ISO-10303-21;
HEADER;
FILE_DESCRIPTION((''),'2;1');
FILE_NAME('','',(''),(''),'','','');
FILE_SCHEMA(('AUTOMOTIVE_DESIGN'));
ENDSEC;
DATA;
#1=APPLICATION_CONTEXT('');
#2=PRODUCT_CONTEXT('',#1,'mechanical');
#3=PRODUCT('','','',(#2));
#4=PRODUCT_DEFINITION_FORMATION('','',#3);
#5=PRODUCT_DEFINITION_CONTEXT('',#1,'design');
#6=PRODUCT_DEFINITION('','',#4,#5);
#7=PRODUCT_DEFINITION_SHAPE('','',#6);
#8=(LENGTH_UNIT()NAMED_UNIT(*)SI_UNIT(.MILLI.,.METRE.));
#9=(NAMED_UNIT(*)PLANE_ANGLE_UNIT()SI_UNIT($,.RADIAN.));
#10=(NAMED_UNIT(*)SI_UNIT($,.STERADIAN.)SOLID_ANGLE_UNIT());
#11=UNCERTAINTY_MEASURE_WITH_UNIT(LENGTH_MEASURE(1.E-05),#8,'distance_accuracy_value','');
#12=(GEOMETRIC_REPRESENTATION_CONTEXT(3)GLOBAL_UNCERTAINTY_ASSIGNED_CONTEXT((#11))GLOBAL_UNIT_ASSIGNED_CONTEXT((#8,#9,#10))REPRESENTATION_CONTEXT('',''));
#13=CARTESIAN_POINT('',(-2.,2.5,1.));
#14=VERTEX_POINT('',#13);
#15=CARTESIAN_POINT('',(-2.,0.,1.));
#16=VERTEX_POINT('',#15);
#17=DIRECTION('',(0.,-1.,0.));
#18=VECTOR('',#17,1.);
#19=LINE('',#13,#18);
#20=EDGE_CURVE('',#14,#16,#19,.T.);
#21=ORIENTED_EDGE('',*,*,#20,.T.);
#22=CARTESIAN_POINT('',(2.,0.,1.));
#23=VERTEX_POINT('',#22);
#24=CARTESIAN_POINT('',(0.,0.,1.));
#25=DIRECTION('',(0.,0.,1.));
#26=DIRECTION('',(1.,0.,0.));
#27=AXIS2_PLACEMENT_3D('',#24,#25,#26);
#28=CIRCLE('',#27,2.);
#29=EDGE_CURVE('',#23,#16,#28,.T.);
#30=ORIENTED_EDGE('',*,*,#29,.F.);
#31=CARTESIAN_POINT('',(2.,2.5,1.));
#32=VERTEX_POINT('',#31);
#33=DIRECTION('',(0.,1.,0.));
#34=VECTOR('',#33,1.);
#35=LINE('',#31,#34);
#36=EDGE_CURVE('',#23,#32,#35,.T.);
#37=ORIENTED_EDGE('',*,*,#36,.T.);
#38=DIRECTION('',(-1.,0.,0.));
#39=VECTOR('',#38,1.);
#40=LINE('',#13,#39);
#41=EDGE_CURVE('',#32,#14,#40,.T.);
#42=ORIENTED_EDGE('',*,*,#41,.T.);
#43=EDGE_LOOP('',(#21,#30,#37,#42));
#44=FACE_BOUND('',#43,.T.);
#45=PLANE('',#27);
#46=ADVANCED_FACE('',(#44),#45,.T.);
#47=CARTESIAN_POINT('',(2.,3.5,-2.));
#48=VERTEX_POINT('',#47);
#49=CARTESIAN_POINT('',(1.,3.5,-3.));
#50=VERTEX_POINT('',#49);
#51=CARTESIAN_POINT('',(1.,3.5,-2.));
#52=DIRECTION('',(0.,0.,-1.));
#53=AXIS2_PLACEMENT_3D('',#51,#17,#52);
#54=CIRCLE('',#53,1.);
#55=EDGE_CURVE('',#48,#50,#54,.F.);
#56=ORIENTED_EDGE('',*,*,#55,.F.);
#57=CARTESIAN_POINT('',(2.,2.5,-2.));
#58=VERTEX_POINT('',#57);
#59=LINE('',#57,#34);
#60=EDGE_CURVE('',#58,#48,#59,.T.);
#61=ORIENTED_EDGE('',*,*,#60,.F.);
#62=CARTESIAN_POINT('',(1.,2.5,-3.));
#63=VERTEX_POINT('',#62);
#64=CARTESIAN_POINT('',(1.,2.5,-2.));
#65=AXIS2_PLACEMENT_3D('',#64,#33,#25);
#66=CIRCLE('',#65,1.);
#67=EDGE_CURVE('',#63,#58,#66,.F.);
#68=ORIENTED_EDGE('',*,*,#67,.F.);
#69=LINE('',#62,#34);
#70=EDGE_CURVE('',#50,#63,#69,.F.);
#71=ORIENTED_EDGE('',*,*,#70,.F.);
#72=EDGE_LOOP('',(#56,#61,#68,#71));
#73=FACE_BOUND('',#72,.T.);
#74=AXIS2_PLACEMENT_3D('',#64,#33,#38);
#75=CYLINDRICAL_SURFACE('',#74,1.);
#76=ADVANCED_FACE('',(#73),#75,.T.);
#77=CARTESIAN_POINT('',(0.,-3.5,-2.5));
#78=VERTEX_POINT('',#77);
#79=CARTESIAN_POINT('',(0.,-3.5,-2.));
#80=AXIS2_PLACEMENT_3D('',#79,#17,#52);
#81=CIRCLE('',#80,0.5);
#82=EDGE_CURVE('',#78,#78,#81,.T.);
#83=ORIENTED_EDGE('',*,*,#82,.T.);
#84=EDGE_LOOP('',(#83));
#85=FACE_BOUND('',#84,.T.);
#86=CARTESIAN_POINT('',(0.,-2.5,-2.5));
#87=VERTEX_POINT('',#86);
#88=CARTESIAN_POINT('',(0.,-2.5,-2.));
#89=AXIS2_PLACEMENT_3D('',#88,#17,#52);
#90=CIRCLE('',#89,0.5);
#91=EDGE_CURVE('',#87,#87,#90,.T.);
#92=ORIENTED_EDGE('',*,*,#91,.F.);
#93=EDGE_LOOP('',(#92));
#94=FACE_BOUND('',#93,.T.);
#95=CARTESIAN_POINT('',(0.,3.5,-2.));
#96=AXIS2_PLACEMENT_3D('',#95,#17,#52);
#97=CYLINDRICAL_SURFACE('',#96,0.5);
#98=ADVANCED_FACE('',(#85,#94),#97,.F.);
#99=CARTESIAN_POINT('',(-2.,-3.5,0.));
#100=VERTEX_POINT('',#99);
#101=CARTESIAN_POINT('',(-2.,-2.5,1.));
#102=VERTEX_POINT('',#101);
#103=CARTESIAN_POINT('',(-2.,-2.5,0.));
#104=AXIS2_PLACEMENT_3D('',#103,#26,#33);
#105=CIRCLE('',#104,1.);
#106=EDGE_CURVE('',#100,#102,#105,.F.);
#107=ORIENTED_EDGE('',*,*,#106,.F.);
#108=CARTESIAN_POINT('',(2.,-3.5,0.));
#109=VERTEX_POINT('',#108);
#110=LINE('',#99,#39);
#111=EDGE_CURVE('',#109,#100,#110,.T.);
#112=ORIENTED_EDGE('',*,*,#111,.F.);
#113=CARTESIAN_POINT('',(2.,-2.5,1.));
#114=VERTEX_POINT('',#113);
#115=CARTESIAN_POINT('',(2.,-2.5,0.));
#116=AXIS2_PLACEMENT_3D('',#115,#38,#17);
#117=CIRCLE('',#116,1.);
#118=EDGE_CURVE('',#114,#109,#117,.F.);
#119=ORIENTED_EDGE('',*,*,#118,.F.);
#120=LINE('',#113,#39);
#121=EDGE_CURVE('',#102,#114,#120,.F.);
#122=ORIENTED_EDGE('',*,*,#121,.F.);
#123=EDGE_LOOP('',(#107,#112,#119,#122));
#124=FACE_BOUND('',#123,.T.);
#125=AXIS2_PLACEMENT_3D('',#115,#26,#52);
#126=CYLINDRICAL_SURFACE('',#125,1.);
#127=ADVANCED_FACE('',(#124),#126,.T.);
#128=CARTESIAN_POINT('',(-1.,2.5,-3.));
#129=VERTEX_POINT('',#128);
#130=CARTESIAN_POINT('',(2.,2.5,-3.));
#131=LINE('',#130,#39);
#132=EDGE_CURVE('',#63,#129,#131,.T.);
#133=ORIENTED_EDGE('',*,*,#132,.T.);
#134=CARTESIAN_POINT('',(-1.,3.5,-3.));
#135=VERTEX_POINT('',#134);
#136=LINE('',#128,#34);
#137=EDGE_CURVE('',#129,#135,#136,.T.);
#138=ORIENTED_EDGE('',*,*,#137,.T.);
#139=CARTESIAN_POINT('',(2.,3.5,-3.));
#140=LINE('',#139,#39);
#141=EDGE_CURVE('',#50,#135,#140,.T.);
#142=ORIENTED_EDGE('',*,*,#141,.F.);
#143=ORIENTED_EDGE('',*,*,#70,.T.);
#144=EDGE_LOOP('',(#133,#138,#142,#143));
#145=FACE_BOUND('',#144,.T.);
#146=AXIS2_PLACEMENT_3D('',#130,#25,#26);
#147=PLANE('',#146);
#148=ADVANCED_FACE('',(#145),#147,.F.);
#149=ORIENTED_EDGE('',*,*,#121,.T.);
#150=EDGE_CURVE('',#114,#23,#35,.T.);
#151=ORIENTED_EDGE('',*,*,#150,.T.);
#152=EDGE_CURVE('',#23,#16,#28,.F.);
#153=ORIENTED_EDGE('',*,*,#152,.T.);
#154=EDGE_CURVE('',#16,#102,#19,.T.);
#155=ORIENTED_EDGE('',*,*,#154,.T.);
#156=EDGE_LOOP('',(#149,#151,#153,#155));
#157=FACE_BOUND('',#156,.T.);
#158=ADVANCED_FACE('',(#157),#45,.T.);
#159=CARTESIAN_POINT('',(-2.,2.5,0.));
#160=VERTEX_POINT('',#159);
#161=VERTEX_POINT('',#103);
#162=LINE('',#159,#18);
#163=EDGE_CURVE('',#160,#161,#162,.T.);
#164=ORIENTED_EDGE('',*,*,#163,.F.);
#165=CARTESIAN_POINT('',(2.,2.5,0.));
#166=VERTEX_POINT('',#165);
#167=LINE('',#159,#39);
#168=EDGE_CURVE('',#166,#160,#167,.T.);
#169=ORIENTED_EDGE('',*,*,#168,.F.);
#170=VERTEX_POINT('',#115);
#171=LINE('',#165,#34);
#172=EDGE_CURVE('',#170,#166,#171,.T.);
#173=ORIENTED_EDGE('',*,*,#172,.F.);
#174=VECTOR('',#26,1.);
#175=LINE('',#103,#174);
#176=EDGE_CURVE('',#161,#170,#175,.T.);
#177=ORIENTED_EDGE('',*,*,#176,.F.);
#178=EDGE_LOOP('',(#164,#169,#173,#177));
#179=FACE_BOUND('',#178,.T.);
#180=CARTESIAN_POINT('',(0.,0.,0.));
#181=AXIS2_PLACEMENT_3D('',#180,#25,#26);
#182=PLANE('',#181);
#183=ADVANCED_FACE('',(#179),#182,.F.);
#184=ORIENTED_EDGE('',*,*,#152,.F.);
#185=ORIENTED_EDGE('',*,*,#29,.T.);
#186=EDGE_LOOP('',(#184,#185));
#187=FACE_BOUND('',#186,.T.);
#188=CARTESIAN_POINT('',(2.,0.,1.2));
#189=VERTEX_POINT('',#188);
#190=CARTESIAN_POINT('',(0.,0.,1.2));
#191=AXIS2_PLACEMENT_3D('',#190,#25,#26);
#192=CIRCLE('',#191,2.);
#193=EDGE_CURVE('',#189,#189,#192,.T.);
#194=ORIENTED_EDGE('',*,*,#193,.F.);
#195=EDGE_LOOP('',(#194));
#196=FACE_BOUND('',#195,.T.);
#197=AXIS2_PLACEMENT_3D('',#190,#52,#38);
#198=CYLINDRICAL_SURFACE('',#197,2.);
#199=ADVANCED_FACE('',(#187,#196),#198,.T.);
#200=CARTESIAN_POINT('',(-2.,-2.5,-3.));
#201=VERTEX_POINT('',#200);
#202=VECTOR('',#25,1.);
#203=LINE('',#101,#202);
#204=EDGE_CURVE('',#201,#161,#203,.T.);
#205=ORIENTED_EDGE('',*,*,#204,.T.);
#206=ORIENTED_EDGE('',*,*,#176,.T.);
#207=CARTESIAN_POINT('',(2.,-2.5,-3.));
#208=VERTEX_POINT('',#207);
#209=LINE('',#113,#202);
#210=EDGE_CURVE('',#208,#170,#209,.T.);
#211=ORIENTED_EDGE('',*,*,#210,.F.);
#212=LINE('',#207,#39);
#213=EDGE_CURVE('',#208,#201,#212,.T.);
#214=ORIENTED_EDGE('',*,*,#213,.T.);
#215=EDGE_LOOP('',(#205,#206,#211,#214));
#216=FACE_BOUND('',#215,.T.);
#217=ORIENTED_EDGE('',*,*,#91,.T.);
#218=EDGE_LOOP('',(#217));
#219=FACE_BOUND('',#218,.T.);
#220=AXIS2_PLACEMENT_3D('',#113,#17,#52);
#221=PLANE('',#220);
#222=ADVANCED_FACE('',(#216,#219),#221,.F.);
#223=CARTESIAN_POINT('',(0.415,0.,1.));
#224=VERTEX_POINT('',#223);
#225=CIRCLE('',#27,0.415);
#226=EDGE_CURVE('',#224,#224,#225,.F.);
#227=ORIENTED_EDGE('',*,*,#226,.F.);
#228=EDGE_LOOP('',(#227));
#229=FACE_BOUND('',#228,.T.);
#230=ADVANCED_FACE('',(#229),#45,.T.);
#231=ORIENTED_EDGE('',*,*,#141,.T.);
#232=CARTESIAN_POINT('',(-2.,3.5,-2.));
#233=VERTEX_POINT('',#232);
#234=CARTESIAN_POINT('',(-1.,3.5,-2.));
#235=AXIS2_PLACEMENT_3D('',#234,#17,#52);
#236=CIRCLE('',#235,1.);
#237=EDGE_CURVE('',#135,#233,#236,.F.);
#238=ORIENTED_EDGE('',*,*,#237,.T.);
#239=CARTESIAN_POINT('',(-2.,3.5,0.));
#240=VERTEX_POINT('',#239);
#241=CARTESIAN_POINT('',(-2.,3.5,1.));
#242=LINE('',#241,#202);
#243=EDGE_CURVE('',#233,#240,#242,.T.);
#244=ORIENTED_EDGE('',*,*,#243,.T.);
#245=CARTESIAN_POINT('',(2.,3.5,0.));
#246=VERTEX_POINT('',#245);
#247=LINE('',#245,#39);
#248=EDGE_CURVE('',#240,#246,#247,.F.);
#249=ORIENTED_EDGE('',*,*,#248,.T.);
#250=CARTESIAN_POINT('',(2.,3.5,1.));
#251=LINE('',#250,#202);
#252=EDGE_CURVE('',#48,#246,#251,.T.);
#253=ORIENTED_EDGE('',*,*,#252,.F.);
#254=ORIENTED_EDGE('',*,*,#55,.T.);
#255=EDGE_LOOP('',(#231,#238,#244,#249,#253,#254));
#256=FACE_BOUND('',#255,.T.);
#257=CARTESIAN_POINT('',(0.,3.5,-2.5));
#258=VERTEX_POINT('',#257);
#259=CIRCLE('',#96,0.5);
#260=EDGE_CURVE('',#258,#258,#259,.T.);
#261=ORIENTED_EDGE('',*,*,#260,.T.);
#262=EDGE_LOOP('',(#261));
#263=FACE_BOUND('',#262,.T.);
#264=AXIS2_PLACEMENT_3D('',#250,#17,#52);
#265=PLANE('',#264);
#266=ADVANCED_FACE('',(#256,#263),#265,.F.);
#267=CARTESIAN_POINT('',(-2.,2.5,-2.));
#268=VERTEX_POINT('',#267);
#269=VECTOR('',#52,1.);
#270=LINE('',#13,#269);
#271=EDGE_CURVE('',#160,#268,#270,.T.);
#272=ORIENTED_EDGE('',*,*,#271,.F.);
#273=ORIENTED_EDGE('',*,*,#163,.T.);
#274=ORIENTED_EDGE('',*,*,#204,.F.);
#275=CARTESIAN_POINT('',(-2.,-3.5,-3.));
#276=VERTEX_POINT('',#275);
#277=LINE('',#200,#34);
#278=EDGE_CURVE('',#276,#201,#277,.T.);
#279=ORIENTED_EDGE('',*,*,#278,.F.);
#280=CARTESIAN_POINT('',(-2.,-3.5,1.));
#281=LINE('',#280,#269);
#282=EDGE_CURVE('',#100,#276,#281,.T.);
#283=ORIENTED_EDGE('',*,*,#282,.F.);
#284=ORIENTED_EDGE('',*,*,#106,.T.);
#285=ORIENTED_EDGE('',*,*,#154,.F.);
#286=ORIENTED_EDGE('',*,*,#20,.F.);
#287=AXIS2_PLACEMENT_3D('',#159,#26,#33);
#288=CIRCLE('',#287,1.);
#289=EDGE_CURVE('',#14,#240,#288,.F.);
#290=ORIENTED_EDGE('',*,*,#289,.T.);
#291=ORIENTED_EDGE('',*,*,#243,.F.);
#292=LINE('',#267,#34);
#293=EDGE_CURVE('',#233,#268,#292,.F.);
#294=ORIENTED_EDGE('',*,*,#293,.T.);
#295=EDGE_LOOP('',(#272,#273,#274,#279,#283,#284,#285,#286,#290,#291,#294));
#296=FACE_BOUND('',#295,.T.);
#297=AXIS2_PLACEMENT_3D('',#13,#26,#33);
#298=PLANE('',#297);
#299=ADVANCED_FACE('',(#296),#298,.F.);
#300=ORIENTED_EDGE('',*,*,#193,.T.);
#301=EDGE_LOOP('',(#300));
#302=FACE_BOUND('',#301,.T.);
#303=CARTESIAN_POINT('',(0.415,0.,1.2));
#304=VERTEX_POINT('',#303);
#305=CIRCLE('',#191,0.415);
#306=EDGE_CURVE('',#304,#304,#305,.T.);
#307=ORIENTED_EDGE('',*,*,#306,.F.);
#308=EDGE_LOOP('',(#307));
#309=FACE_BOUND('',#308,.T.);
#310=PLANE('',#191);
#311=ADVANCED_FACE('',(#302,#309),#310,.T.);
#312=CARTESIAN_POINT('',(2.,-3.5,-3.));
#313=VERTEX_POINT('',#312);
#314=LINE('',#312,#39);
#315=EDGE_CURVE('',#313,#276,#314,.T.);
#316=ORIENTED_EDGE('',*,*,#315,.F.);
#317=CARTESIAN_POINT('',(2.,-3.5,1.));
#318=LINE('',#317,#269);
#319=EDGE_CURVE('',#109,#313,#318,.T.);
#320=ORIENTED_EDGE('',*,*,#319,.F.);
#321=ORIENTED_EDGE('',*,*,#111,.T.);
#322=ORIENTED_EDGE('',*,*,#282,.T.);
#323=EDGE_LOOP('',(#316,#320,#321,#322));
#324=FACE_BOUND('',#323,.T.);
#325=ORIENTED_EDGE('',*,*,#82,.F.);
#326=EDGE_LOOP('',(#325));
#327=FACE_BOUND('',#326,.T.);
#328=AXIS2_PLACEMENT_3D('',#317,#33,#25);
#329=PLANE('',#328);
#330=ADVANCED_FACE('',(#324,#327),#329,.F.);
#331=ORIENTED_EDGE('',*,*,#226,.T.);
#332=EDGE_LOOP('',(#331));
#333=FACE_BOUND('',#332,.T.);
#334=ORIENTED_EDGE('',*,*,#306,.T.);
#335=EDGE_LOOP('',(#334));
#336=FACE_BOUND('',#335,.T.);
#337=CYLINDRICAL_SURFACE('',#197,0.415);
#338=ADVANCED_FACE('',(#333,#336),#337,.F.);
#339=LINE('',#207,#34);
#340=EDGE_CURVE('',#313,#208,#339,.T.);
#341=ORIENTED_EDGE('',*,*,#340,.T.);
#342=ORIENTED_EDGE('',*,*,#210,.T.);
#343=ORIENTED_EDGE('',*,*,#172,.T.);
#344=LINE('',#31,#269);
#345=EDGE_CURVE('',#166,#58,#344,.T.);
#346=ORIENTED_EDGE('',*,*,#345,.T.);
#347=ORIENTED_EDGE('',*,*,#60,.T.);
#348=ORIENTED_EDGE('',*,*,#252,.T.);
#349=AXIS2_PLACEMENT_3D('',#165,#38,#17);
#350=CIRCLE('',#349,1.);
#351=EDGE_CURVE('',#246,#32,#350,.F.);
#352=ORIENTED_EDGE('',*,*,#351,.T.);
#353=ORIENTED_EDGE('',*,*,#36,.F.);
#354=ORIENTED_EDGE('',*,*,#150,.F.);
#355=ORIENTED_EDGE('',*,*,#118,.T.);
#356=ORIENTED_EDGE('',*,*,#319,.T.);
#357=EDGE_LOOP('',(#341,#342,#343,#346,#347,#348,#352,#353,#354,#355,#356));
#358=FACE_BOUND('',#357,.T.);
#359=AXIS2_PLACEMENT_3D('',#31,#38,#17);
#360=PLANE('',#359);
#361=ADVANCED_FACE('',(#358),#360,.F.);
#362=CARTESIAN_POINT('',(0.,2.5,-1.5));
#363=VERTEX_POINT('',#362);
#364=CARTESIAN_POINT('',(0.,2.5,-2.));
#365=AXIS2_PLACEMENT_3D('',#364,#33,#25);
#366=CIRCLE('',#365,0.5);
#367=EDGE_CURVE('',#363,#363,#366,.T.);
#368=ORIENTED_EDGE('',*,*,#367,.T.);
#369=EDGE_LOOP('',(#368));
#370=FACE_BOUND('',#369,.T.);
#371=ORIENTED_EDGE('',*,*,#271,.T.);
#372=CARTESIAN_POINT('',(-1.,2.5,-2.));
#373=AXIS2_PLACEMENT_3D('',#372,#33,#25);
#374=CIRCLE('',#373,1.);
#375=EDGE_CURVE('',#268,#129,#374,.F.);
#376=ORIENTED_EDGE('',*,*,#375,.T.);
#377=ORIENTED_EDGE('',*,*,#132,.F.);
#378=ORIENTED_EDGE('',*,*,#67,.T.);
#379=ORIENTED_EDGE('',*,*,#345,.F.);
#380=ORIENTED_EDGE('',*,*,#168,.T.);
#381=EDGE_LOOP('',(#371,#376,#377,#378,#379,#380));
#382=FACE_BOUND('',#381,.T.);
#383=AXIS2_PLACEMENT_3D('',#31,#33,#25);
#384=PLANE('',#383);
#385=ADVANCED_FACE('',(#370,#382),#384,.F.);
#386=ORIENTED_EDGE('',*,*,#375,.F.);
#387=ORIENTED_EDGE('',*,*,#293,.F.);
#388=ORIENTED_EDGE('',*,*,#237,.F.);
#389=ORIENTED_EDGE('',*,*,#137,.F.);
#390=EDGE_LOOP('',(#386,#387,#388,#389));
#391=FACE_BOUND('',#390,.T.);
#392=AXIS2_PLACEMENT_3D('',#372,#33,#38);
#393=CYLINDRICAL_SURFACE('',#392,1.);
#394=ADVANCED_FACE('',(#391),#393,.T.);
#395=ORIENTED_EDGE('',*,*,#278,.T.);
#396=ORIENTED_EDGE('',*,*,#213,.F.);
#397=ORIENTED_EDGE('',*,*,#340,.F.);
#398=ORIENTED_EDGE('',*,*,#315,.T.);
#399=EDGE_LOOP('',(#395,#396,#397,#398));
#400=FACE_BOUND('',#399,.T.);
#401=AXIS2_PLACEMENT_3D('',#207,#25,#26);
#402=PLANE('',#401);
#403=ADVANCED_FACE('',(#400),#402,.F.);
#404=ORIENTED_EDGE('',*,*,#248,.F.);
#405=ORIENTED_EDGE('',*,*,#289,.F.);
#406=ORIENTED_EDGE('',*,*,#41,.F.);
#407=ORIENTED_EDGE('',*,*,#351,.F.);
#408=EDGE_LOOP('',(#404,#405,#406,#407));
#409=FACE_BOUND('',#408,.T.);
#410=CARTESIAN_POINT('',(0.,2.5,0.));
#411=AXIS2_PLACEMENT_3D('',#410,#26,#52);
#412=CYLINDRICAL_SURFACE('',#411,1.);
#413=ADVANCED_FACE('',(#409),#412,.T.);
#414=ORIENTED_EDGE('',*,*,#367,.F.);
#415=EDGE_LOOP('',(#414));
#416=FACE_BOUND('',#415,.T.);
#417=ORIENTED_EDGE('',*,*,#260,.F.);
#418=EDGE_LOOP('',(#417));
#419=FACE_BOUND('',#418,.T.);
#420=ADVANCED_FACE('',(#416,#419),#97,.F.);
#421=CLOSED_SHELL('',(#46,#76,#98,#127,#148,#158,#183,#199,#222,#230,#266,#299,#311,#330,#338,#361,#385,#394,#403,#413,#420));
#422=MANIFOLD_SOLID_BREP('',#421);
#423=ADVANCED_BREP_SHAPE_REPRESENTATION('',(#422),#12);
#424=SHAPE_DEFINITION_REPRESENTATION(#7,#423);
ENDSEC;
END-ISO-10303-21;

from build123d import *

# Parameters (mm, degrees)
SKETCH1_W           = 4
SKETCH1_H           = 5
BOSS_EXTRUDE1_DEPTH = 1
SKETCH2_W           = 4
SKETCH2_H           = 1
BOSS_EXTRUDE2_DEPTH = 2
FILLET1_R           = 1
SKETCH3_R           = 2
SKETCH3_R_2         = 0.415
BOSS_EXTRUDE3_DEPTH = 0.2
SKETCH4_R           = 0.5
CUT_EXTRUDE1_DEPTH  = 8.874007874


with BuildPart() as part:
    # Sketch1 → Boss-Extrude1 (new body)
    with BuildSketch(Plane.XY):
        Rectangle(SKETCH1_W, SKETCH1_H)
    extrude(amount=BOSS_EXTRUDE1_DEPTH)

    # Sketch2 → Boss-Extrude2 (add, symmetric)
    with BuildSketch(Plane(origin=(0, 0, 0), x_dir=(0, 0, -1), z_dir=(1, 0, 0))):
        with Locations((1, 3)):
            Rectangle(SKETCH2_W, SKETCH2_H)
        with Locations((1, -3)):
            Rectangle(SKETCH2_W, SKETCH2_H)
    extrude(amount=BOSS_EXTRUDE2_DEPTH, both=True)

    # Fillet1
    fillet1_edges = [part.edges().sort_by_distance(p)[0] for p in [
        (0, 3.5, 1),
        (-2, 3, -3),
        (2, 3, -3),
        (0, -3.5, 1),
    ]]
    fillet(fillet1_edges, radius=FILLET1_R)

    # Sketch3 → Boss-Extrude3 (add)
    with BuildSketch(Plane.XY.offset(1)):
        Circle(SKETCH3_R)
        Circle(SKETCH3_R_2, mode=Mode.SUBTRACT)
    extrude(amount=BOSS_EXTRUDE3_DEPTH)

    # Sketch4 → Cut-Extrude1 (cut, through all)
    with BuildSketch(Plane.XZ.offset(3.5)):
        with Locations(Location((0, -2, 0), (0, 0, 270))):
            Circle(SKETCH4_R)
    extrude(amount=-CUT_EXTRUDE1_DEPTH, mode=Mode.SUBTRACT)


solid = part.part
